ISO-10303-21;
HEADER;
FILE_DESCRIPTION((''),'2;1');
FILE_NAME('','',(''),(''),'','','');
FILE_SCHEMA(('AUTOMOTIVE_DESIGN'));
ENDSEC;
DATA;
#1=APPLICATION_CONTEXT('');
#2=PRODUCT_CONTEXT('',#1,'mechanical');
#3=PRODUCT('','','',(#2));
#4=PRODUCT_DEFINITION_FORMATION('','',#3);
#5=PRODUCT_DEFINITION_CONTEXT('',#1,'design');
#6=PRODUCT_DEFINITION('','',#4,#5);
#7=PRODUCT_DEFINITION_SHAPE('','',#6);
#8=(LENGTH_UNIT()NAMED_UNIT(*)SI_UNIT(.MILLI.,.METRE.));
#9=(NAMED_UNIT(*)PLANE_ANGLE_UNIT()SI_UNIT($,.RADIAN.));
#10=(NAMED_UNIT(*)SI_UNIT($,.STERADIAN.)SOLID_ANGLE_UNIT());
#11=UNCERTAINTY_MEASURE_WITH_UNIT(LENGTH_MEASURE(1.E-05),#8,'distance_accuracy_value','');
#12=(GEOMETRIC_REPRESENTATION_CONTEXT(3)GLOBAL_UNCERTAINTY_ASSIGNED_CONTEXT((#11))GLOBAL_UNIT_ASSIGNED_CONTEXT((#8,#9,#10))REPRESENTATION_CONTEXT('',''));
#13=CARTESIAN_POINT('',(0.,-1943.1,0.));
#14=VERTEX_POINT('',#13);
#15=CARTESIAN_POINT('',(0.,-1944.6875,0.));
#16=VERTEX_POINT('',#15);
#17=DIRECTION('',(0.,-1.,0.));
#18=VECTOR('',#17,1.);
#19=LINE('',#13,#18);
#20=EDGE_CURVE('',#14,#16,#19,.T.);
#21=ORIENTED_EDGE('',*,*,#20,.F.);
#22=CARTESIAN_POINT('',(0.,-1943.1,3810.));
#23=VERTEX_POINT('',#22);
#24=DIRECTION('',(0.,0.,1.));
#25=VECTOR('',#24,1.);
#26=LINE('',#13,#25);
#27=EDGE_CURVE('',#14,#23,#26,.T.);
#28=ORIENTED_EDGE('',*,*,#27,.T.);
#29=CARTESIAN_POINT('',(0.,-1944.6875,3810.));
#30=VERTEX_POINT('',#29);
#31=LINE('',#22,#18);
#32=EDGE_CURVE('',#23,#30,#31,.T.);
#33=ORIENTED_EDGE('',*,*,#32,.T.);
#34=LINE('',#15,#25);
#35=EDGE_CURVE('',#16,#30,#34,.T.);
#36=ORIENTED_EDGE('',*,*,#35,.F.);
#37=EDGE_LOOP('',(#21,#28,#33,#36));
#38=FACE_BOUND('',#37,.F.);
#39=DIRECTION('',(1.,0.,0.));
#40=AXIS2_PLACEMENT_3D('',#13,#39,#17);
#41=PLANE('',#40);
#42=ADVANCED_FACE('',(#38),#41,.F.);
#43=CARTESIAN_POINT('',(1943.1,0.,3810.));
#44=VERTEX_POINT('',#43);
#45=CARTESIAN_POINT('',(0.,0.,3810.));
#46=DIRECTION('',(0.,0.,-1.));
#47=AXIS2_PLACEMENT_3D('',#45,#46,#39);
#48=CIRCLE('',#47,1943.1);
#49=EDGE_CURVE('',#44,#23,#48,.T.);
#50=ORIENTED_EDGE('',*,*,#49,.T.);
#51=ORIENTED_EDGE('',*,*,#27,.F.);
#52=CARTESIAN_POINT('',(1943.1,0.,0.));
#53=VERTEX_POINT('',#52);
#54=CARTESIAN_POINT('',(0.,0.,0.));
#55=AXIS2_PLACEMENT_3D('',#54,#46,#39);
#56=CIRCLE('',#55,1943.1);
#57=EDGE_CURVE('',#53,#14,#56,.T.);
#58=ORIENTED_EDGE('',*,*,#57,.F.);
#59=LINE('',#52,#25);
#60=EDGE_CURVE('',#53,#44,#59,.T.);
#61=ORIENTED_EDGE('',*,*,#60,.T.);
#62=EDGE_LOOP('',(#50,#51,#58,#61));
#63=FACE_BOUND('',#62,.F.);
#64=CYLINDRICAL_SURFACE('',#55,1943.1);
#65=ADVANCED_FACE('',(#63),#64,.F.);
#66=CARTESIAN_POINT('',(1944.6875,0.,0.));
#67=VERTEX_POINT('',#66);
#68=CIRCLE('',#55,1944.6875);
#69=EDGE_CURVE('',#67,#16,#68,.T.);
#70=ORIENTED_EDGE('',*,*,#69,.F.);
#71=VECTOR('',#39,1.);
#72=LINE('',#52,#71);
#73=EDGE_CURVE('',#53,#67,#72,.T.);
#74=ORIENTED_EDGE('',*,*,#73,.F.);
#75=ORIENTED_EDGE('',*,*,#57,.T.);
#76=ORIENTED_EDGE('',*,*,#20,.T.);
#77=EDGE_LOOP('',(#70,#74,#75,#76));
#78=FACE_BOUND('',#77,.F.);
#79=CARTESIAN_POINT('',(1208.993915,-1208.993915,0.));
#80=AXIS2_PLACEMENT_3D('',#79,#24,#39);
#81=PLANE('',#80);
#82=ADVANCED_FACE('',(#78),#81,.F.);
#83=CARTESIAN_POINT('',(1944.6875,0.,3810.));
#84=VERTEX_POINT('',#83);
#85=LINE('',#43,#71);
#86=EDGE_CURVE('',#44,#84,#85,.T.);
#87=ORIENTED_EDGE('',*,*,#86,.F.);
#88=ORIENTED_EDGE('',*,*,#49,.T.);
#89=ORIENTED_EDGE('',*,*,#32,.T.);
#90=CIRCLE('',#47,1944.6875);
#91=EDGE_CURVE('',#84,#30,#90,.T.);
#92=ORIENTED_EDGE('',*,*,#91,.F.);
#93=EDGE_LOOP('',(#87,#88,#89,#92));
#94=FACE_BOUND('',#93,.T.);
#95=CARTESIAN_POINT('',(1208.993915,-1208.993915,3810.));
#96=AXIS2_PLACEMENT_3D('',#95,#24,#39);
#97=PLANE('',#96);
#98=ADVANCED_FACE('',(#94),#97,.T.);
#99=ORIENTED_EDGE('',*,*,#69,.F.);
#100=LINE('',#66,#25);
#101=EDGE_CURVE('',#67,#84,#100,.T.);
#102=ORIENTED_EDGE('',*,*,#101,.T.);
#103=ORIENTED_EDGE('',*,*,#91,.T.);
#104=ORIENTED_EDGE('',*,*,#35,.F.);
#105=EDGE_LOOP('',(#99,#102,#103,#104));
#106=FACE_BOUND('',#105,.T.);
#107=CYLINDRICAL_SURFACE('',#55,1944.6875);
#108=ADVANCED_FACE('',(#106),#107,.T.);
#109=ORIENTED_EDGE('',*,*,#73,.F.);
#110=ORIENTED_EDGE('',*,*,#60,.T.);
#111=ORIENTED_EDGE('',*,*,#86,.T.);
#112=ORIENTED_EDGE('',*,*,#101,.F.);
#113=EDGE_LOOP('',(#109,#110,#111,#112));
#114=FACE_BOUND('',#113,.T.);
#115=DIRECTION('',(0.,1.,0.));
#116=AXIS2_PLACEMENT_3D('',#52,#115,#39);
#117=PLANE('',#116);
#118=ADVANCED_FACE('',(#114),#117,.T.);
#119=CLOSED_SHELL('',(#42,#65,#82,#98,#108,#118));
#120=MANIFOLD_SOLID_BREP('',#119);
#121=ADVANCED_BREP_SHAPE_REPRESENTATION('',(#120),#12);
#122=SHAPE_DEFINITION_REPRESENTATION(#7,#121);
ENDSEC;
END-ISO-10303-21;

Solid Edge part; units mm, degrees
sketch "Sketch1" plane through (0, 0, 0) normal (0, 0, 1) x (1, 0, 0)
  line L0 (0, -1943.1) -> (0, -1944.6875)
  line L1 (1943.1, 0) -> (1944.6875, 0)
  arc A0 (1944.6875, 0) -> (0, -1944.6875) centre (0, 0) cw
  arc A1 (1943.1, 0) -> (0, -1943.1) centre (0, 0) cw
extrude "Protrusion1" add sketch "Sketch1" along normal blind 3810
